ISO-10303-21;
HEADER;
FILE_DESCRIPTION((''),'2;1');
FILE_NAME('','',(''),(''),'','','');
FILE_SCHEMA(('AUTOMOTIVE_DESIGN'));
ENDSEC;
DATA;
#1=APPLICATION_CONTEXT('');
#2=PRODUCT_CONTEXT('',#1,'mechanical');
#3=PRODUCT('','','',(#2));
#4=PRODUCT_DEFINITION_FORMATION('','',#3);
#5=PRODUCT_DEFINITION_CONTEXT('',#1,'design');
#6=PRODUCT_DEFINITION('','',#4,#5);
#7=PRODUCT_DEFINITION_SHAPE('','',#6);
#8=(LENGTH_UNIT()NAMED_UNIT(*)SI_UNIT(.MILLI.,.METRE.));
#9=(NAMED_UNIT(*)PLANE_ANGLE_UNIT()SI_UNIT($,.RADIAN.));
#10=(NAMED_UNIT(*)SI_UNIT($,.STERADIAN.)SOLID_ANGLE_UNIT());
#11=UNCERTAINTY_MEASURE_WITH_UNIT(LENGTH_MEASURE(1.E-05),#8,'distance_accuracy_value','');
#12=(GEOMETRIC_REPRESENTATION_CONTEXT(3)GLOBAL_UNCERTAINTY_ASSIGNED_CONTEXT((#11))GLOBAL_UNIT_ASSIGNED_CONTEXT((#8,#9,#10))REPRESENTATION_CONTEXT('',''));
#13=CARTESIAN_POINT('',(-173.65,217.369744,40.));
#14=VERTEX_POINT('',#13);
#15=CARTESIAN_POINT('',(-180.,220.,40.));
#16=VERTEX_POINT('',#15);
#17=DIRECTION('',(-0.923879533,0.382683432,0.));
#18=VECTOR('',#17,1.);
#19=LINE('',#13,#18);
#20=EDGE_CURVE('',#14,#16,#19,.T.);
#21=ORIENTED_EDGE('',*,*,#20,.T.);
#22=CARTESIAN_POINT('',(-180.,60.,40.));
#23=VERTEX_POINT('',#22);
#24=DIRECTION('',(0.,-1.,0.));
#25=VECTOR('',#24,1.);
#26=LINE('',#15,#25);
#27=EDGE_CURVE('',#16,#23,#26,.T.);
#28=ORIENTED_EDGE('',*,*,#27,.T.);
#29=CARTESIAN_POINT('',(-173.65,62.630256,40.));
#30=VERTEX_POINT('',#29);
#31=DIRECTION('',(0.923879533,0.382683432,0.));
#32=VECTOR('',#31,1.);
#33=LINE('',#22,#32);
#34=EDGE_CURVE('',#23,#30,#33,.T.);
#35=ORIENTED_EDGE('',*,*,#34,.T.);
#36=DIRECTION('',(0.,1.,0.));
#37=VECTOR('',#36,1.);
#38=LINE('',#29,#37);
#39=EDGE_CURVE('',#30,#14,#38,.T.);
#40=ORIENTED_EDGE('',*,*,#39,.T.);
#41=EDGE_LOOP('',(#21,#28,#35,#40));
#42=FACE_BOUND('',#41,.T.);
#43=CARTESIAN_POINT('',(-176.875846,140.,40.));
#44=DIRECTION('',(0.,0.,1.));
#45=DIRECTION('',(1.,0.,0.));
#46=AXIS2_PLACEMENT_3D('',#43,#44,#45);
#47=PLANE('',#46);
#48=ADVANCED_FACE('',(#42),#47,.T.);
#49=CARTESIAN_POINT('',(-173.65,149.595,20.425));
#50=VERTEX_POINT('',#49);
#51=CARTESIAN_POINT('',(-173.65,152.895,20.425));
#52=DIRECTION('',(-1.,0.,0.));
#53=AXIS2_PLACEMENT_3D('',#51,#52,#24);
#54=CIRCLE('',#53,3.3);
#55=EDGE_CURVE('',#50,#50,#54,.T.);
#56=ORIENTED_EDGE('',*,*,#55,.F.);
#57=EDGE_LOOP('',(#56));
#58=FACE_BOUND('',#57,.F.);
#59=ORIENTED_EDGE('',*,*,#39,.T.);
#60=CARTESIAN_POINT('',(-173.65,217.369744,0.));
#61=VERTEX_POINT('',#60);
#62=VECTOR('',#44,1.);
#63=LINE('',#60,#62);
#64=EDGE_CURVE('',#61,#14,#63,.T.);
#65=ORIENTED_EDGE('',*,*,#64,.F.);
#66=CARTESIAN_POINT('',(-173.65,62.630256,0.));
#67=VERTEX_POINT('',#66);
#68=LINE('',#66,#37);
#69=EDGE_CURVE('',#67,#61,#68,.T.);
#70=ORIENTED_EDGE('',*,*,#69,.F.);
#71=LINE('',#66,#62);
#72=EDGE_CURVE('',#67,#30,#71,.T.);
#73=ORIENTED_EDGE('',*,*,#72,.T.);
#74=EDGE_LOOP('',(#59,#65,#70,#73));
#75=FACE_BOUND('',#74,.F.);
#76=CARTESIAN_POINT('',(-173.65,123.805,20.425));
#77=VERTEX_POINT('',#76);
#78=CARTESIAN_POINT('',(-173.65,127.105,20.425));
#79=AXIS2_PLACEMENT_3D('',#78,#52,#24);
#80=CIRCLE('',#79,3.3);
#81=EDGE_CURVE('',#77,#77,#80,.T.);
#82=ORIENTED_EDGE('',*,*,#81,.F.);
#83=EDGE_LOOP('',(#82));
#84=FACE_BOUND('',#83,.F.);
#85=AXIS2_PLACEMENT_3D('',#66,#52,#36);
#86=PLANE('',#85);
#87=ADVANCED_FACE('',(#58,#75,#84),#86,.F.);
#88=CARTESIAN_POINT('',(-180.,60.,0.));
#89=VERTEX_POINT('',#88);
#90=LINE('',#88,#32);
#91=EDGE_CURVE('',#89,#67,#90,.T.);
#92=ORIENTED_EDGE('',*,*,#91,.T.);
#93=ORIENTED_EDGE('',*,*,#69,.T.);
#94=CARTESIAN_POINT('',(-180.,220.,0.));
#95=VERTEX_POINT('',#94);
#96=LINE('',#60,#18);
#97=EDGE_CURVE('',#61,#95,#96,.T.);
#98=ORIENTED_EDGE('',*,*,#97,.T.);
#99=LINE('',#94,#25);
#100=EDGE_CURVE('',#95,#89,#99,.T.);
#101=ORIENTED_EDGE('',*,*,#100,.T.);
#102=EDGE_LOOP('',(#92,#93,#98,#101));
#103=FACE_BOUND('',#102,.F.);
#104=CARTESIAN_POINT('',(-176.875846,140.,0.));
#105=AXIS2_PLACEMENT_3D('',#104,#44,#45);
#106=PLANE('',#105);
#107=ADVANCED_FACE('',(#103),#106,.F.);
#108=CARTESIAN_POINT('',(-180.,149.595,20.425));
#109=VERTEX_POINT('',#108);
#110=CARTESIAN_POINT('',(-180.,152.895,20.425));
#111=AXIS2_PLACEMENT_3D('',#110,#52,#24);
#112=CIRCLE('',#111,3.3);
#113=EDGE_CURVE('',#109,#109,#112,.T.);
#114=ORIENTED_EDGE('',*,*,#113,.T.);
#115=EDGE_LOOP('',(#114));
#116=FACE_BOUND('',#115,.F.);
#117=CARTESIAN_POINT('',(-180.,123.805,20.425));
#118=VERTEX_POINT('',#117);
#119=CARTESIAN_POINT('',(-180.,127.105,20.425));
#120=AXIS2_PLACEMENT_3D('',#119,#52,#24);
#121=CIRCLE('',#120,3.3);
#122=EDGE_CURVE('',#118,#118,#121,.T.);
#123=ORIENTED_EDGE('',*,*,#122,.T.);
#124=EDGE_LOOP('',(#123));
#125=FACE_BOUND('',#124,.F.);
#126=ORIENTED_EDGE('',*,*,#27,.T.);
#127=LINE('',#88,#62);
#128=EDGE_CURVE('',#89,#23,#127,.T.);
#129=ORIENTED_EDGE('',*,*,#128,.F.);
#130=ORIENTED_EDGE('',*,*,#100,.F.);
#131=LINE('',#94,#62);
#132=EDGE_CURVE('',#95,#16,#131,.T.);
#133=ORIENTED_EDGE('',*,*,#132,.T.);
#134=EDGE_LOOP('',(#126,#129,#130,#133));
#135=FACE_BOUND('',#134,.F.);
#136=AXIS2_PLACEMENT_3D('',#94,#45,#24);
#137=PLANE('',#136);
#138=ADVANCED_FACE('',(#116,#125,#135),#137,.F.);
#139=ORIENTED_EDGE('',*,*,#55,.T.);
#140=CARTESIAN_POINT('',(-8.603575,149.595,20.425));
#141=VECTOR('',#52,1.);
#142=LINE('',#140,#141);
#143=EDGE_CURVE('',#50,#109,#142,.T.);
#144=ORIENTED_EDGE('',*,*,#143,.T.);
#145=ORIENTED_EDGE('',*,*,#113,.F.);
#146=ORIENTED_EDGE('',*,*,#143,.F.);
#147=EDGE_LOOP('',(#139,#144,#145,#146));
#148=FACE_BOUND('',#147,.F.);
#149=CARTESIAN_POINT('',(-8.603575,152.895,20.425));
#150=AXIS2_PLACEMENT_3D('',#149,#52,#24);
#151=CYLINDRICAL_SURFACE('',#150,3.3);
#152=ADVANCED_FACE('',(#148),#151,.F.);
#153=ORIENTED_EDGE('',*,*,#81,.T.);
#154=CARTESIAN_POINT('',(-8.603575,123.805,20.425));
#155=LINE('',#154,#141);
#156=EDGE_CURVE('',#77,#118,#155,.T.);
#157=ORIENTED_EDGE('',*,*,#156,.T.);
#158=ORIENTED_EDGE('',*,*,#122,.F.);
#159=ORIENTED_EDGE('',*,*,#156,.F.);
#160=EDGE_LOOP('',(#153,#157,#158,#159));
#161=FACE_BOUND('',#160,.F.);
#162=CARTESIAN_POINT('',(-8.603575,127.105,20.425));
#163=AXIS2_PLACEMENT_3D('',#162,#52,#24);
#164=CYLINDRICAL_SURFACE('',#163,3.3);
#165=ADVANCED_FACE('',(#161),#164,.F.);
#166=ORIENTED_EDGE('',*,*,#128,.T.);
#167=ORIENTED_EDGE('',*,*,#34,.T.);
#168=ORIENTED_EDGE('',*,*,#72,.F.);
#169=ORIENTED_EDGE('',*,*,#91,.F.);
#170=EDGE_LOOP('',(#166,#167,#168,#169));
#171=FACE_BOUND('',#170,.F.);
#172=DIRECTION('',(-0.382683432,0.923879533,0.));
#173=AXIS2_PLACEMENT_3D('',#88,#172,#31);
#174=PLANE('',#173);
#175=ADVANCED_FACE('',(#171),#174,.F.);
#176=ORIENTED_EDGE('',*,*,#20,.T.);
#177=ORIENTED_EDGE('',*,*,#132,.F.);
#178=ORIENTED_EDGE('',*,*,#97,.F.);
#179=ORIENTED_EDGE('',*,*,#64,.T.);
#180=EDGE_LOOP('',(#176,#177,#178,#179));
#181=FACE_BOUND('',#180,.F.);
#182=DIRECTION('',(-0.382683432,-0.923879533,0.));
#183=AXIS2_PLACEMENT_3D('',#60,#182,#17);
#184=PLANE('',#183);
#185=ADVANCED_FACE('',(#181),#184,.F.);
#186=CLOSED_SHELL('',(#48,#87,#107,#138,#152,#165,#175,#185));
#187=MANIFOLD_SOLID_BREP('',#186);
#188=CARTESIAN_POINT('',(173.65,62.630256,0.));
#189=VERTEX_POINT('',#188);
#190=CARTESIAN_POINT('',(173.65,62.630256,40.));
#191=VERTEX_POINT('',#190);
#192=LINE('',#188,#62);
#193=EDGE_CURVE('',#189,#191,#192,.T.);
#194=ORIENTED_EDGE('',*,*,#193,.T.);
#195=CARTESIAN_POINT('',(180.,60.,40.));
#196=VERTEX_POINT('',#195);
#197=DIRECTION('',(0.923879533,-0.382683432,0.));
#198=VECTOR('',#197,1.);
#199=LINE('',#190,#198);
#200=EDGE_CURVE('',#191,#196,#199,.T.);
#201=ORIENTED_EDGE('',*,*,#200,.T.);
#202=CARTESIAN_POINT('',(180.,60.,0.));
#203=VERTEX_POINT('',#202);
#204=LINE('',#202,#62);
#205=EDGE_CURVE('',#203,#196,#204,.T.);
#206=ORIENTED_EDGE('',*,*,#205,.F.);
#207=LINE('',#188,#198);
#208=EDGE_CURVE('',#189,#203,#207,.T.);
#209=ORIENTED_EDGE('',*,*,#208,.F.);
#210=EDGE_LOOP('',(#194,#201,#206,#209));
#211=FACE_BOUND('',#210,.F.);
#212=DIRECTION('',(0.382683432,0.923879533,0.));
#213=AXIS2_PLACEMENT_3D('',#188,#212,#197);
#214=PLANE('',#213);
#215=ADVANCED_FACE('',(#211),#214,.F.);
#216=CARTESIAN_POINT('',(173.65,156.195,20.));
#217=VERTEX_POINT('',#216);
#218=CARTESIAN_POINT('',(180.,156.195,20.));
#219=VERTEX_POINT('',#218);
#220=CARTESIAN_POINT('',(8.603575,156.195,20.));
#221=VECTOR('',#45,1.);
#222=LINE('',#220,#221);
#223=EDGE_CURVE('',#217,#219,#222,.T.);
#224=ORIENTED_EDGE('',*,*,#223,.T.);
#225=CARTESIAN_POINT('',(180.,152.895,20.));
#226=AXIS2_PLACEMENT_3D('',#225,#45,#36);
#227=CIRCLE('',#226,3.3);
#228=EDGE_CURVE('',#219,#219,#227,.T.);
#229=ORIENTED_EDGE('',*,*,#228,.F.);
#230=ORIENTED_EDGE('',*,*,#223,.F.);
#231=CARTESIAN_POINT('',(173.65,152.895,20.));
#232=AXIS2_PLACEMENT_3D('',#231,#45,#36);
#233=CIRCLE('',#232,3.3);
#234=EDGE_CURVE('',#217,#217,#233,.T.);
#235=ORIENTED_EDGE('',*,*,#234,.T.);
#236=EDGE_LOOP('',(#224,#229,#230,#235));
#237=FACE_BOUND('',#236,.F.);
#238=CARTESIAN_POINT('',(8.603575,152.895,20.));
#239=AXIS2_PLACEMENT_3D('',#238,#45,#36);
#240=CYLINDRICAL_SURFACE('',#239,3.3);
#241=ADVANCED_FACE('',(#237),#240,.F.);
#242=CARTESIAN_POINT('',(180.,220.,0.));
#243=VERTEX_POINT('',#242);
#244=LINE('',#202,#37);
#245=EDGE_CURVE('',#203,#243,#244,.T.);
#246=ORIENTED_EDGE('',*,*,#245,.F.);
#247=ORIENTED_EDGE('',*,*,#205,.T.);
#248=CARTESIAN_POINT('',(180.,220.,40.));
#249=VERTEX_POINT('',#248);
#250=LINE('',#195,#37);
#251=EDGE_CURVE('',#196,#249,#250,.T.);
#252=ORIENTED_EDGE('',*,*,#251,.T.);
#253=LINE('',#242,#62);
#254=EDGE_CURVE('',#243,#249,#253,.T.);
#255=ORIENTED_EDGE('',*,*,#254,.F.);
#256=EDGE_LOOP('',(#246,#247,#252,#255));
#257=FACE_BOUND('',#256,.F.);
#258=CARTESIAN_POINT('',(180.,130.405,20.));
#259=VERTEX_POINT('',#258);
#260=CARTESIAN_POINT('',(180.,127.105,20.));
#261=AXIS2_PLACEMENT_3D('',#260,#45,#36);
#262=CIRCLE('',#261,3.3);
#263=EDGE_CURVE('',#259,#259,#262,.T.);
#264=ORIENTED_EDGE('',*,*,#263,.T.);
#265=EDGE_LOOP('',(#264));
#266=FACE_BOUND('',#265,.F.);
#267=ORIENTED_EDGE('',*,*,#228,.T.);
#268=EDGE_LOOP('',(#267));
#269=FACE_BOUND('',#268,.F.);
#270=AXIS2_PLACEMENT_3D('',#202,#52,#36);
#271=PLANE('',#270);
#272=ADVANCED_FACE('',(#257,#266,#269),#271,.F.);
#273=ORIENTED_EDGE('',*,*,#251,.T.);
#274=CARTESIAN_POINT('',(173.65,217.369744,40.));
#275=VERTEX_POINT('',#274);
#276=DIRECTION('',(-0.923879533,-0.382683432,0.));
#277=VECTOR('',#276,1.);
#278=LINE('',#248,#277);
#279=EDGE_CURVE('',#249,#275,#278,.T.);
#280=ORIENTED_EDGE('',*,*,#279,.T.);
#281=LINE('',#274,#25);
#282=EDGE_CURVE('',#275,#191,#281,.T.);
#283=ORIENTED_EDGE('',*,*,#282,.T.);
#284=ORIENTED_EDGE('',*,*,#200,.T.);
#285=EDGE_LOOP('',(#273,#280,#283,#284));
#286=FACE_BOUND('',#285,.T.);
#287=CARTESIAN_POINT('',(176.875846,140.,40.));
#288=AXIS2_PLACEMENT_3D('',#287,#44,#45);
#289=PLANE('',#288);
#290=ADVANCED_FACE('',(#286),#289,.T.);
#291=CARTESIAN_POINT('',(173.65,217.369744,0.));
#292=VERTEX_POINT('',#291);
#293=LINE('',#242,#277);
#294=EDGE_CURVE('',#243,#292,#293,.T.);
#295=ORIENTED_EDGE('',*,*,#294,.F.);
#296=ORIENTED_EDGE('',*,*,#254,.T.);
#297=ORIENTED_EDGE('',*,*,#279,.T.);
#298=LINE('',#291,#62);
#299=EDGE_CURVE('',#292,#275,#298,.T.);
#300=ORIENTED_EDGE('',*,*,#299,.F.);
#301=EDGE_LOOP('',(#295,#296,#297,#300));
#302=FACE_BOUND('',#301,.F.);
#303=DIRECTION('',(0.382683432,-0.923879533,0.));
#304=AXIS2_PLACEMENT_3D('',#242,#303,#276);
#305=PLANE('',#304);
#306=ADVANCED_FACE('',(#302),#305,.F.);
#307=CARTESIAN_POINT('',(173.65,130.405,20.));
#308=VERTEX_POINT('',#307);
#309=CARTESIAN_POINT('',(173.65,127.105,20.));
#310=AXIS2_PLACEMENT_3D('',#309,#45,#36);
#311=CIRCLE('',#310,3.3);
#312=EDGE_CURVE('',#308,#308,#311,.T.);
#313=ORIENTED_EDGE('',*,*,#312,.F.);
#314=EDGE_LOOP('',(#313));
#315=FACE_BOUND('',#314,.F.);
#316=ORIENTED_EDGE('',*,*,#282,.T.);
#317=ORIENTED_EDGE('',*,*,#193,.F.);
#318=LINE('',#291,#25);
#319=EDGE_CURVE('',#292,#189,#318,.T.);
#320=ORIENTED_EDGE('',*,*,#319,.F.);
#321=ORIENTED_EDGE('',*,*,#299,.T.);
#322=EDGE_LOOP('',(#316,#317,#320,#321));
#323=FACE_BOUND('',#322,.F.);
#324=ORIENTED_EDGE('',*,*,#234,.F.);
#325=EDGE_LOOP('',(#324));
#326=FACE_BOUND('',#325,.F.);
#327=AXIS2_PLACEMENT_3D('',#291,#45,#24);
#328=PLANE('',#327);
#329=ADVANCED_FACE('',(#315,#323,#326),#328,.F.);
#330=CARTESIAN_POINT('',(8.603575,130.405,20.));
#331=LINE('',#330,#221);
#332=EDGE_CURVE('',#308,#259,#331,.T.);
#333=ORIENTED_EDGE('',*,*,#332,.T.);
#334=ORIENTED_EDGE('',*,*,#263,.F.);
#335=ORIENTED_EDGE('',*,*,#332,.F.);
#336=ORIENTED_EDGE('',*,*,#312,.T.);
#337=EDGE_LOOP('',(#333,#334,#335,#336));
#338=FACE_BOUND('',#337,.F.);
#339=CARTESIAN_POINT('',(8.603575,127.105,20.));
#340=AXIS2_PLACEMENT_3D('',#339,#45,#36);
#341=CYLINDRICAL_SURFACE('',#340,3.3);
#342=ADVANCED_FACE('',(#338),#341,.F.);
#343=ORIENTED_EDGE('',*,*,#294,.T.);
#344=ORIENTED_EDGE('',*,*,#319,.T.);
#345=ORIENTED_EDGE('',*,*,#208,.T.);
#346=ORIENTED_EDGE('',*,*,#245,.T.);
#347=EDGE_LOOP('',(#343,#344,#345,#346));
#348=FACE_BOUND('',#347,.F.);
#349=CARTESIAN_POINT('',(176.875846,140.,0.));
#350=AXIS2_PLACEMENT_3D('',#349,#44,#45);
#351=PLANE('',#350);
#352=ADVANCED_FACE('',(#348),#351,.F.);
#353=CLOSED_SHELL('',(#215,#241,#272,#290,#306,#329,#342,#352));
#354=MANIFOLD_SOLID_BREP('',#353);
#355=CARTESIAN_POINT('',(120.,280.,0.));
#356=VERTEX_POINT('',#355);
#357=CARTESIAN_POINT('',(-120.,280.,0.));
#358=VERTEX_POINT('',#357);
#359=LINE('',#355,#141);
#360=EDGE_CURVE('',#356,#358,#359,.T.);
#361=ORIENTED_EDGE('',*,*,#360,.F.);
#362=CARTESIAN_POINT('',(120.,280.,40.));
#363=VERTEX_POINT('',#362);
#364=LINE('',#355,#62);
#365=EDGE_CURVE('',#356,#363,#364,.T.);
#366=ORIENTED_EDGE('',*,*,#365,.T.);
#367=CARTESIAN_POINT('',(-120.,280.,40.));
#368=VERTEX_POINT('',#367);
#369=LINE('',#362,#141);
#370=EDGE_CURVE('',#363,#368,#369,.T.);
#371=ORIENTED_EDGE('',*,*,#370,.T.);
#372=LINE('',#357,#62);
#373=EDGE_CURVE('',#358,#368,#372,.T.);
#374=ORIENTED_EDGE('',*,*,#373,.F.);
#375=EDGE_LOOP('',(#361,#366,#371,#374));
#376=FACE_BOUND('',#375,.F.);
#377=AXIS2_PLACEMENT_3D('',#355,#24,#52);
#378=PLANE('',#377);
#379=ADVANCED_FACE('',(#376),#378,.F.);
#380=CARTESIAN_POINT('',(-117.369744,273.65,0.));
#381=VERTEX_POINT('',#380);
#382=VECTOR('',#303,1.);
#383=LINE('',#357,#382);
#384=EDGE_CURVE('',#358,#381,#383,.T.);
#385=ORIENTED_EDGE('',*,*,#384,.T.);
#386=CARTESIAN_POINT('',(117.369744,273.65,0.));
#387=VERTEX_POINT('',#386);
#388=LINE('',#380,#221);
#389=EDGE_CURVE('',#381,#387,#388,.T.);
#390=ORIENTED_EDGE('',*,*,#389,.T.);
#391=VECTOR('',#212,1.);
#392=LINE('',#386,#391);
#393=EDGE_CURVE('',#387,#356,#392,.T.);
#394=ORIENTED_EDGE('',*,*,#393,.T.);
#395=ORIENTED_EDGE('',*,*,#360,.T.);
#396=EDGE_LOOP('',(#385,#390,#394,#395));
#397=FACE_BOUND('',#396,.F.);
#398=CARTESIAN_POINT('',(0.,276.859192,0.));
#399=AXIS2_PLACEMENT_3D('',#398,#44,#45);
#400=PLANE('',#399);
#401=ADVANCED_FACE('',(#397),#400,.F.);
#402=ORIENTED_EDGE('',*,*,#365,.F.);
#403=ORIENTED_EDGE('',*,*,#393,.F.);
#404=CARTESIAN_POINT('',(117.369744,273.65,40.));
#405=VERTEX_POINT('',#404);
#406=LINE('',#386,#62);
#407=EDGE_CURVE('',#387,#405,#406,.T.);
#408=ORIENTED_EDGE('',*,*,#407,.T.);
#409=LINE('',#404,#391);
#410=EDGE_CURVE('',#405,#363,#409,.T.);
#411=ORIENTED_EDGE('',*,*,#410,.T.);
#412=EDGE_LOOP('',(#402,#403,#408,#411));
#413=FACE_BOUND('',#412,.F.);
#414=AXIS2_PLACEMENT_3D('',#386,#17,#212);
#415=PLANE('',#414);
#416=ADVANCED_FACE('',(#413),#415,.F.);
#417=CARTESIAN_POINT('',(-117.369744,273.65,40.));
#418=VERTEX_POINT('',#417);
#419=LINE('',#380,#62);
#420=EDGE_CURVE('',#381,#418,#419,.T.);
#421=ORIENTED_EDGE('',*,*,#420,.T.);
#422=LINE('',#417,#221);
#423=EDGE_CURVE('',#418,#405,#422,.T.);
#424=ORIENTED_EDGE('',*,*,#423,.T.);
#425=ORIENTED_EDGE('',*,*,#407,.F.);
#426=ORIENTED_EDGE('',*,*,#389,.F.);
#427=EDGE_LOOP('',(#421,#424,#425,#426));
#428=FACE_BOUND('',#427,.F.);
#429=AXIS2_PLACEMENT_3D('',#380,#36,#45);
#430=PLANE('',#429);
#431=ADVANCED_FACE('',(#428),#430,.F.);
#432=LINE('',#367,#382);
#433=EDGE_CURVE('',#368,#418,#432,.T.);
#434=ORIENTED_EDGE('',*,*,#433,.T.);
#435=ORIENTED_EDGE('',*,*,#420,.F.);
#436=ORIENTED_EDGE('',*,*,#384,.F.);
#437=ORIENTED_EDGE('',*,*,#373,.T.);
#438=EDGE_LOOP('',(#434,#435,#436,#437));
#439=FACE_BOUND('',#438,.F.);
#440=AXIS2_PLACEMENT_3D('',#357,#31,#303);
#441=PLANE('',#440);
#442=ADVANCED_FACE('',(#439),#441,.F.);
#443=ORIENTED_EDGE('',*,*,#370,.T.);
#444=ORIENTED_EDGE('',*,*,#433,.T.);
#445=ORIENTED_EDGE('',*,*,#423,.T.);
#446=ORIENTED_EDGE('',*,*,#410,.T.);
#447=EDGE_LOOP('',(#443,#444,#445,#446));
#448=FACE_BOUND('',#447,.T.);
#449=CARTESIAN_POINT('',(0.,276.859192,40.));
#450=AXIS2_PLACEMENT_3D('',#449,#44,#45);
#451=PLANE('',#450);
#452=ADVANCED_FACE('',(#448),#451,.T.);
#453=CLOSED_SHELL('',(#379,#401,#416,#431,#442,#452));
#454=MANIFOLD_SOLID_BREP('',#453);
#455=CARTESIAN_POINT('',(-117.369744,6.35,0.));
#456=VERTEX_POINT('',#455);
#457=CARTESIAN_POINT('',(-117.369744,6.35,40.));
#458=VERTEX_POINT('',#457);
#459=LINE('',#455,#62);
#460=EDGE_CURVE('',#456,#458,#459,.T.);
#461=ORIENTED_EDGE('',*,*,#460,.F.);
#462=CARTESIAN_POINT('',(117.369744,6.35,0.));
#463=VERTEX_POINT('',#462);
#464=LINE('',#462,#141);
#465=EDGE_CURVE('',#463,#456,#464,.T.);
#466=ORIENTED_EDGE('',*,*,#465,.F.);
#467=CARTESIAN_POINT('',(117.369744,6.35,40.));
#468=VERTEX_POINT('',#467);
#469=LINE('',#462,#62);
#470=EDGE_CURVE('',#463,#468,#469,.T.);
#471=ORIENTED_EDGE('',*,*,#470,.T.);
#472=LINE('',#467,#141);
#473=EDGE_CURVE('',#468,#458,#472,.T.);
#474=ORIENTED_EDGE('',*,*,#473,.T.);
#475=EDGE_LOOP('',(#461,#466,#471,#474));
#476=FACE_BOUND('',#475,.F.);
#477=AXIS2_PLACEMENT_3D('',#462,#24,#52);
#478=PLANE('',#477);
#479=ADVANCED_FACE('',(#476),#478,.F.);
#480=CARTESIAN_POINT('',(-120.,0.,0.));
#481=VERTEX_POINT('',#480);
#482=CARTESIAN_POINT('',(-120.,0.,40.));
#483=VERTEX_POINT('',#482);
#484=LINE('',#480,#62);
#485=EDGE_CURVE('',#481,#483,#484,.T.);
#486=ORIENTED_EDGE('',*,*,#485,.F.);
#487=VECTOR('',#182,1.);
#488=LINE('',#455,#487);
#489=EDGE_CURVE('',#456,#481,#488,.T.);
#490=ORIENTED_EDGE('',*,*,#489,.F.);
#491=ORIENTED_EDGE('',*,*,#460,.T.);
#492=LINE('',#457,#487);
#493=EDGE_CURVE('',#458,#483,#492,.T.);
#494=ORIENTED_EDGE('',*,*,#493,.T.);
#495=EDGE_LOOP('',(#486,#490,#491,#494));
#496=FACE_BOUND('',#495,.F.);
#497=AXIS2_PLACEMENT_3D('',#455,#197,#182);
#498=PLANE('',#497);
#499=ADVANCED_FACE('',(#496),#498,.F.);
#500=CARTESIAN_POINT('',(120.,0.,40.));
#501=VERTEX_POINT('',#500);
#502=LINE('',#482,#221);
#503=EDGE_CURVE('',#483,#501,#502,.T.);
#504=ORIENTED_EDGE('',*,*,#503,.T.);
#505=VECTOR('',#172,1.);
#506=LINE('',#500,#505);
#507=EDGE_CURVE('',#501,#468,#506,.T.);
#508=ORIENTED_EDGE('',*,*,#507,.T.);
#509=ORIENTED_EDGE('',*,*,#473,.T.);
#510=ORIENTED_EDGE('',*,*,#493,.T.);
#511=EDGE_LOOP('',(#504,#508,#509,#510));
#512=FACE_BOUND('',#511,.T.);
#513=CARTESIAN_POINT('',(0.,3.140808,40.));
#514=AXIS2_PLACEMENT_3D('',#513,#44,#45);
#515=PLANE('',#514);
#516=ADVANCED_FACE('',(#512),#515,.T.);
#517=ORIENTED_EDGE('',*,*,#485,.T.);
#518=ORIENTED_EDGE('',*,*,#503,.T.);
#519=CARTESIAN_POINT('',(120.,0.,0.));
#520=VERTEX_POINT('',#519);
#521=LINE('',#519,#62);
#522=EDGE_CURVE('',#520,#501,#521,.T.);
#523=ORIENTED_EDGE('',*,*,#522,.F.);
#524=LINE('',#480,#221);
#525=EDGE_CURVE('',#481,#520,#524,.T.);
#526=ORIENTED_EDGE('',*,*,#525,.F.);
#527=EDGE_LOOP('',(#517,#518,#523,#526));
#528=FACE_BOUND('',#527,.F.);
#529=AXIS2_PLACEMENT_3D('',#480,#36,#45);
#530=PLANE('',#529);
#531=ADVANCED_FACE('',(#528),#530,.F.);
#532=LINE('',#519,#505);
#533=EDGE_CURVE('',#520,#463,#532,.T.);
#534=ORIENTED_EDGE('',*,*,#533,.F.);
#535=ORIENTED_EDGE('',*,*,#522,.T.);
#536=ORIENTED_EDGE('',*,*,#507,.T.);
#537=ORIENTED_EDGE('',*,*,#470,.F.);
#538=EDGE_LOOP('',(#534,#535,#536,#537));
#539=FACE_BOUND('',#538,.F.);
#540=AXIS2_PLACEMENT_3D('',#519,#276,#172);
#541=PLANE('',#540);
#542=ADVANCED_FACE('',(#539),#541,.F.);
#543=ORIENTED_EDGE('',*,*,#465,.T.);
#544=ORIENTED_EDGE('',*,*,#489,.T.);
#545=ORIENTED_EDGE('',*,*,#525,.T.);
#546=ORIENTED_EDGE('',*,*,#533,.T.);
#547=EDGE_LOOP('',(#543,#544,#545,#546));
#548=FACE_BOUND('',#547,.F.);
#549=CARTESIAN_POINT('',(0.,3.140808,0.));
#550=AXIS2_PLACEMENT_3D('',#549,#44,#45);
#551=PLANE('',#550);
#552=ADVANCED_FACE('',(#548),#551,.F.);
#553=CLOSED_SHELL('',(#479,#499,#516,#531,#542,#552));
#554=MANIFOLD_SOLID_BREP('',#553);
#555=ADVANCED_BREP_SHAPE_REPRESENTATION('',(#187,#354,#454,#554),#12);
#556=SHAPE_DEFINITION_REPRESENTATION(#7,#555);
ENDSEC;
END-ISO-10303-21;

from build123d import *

# Parameters (mm, degrees)
F1_DEPTH = 40
F2_DEPTH = 40
F3_DEPTH = 40
F4_DEPTH = 40
F6_D     = 6.6
F8_D     = 6.6


with BuildPart() as f1:
    # F0 (on Top) → F1 (new body)
    with BuildSketch(Plane.XY):
        Polygon((120, 280), (-120, 280), (-117.3697438789, 273.65), (117.3697438789, 273.65), align=None)
    extrude(amount=F1_DEPTH)


with BuildPart() as f2:
    # F0 (on Top) → F2 (new body)
    with BuildSketch(Plane.XY):
        Polygon((-180, 220), (-180, 60), (-173.65, 62.6302561211), (-173.65, 217.3697438789), align=None)
    extrude(amount=F2_DEPTH)

    # F6 (through all)
    with Locations(Plane.YZ.offset(-173.65)):
        with Locations((127.105, 20.425), (152.895, 20.425)):
            Hole(F6_D / 2)


with BuildPart() as f3:
    # F0 (on Top) → F3 (new body)
    with BuildSketch(Plane.XY):
        Polygon((173.65, 62.6302561211), (180, 60), (180, 220), (173.65, 217.3697438789), align=None)
    extrude(amount=F3_DEPTH)

    # F8 (through all)
    with Locations(Plane(origin=(173.65, 0, 0), x_dir=(0, -1, 0), z_dir=(-1, 0, 0))):
        with Locations((-127.105, 20), (-152.895, 20)):
            Hole(F8_D / 2)


with BuildPart() as f4:
    # F0 (on Top) → F4 (new body)
    with BuildSketch(Plane.XY):
        Polygon((-117.3697438789, 6.35), (-120, 0), (120, 0), (117.3697438789, 6.35), align=None)
    extrude(amount=F4_DEPTH)


solid = Compound([f1.part, f2.part, f3.part, f4.part])
